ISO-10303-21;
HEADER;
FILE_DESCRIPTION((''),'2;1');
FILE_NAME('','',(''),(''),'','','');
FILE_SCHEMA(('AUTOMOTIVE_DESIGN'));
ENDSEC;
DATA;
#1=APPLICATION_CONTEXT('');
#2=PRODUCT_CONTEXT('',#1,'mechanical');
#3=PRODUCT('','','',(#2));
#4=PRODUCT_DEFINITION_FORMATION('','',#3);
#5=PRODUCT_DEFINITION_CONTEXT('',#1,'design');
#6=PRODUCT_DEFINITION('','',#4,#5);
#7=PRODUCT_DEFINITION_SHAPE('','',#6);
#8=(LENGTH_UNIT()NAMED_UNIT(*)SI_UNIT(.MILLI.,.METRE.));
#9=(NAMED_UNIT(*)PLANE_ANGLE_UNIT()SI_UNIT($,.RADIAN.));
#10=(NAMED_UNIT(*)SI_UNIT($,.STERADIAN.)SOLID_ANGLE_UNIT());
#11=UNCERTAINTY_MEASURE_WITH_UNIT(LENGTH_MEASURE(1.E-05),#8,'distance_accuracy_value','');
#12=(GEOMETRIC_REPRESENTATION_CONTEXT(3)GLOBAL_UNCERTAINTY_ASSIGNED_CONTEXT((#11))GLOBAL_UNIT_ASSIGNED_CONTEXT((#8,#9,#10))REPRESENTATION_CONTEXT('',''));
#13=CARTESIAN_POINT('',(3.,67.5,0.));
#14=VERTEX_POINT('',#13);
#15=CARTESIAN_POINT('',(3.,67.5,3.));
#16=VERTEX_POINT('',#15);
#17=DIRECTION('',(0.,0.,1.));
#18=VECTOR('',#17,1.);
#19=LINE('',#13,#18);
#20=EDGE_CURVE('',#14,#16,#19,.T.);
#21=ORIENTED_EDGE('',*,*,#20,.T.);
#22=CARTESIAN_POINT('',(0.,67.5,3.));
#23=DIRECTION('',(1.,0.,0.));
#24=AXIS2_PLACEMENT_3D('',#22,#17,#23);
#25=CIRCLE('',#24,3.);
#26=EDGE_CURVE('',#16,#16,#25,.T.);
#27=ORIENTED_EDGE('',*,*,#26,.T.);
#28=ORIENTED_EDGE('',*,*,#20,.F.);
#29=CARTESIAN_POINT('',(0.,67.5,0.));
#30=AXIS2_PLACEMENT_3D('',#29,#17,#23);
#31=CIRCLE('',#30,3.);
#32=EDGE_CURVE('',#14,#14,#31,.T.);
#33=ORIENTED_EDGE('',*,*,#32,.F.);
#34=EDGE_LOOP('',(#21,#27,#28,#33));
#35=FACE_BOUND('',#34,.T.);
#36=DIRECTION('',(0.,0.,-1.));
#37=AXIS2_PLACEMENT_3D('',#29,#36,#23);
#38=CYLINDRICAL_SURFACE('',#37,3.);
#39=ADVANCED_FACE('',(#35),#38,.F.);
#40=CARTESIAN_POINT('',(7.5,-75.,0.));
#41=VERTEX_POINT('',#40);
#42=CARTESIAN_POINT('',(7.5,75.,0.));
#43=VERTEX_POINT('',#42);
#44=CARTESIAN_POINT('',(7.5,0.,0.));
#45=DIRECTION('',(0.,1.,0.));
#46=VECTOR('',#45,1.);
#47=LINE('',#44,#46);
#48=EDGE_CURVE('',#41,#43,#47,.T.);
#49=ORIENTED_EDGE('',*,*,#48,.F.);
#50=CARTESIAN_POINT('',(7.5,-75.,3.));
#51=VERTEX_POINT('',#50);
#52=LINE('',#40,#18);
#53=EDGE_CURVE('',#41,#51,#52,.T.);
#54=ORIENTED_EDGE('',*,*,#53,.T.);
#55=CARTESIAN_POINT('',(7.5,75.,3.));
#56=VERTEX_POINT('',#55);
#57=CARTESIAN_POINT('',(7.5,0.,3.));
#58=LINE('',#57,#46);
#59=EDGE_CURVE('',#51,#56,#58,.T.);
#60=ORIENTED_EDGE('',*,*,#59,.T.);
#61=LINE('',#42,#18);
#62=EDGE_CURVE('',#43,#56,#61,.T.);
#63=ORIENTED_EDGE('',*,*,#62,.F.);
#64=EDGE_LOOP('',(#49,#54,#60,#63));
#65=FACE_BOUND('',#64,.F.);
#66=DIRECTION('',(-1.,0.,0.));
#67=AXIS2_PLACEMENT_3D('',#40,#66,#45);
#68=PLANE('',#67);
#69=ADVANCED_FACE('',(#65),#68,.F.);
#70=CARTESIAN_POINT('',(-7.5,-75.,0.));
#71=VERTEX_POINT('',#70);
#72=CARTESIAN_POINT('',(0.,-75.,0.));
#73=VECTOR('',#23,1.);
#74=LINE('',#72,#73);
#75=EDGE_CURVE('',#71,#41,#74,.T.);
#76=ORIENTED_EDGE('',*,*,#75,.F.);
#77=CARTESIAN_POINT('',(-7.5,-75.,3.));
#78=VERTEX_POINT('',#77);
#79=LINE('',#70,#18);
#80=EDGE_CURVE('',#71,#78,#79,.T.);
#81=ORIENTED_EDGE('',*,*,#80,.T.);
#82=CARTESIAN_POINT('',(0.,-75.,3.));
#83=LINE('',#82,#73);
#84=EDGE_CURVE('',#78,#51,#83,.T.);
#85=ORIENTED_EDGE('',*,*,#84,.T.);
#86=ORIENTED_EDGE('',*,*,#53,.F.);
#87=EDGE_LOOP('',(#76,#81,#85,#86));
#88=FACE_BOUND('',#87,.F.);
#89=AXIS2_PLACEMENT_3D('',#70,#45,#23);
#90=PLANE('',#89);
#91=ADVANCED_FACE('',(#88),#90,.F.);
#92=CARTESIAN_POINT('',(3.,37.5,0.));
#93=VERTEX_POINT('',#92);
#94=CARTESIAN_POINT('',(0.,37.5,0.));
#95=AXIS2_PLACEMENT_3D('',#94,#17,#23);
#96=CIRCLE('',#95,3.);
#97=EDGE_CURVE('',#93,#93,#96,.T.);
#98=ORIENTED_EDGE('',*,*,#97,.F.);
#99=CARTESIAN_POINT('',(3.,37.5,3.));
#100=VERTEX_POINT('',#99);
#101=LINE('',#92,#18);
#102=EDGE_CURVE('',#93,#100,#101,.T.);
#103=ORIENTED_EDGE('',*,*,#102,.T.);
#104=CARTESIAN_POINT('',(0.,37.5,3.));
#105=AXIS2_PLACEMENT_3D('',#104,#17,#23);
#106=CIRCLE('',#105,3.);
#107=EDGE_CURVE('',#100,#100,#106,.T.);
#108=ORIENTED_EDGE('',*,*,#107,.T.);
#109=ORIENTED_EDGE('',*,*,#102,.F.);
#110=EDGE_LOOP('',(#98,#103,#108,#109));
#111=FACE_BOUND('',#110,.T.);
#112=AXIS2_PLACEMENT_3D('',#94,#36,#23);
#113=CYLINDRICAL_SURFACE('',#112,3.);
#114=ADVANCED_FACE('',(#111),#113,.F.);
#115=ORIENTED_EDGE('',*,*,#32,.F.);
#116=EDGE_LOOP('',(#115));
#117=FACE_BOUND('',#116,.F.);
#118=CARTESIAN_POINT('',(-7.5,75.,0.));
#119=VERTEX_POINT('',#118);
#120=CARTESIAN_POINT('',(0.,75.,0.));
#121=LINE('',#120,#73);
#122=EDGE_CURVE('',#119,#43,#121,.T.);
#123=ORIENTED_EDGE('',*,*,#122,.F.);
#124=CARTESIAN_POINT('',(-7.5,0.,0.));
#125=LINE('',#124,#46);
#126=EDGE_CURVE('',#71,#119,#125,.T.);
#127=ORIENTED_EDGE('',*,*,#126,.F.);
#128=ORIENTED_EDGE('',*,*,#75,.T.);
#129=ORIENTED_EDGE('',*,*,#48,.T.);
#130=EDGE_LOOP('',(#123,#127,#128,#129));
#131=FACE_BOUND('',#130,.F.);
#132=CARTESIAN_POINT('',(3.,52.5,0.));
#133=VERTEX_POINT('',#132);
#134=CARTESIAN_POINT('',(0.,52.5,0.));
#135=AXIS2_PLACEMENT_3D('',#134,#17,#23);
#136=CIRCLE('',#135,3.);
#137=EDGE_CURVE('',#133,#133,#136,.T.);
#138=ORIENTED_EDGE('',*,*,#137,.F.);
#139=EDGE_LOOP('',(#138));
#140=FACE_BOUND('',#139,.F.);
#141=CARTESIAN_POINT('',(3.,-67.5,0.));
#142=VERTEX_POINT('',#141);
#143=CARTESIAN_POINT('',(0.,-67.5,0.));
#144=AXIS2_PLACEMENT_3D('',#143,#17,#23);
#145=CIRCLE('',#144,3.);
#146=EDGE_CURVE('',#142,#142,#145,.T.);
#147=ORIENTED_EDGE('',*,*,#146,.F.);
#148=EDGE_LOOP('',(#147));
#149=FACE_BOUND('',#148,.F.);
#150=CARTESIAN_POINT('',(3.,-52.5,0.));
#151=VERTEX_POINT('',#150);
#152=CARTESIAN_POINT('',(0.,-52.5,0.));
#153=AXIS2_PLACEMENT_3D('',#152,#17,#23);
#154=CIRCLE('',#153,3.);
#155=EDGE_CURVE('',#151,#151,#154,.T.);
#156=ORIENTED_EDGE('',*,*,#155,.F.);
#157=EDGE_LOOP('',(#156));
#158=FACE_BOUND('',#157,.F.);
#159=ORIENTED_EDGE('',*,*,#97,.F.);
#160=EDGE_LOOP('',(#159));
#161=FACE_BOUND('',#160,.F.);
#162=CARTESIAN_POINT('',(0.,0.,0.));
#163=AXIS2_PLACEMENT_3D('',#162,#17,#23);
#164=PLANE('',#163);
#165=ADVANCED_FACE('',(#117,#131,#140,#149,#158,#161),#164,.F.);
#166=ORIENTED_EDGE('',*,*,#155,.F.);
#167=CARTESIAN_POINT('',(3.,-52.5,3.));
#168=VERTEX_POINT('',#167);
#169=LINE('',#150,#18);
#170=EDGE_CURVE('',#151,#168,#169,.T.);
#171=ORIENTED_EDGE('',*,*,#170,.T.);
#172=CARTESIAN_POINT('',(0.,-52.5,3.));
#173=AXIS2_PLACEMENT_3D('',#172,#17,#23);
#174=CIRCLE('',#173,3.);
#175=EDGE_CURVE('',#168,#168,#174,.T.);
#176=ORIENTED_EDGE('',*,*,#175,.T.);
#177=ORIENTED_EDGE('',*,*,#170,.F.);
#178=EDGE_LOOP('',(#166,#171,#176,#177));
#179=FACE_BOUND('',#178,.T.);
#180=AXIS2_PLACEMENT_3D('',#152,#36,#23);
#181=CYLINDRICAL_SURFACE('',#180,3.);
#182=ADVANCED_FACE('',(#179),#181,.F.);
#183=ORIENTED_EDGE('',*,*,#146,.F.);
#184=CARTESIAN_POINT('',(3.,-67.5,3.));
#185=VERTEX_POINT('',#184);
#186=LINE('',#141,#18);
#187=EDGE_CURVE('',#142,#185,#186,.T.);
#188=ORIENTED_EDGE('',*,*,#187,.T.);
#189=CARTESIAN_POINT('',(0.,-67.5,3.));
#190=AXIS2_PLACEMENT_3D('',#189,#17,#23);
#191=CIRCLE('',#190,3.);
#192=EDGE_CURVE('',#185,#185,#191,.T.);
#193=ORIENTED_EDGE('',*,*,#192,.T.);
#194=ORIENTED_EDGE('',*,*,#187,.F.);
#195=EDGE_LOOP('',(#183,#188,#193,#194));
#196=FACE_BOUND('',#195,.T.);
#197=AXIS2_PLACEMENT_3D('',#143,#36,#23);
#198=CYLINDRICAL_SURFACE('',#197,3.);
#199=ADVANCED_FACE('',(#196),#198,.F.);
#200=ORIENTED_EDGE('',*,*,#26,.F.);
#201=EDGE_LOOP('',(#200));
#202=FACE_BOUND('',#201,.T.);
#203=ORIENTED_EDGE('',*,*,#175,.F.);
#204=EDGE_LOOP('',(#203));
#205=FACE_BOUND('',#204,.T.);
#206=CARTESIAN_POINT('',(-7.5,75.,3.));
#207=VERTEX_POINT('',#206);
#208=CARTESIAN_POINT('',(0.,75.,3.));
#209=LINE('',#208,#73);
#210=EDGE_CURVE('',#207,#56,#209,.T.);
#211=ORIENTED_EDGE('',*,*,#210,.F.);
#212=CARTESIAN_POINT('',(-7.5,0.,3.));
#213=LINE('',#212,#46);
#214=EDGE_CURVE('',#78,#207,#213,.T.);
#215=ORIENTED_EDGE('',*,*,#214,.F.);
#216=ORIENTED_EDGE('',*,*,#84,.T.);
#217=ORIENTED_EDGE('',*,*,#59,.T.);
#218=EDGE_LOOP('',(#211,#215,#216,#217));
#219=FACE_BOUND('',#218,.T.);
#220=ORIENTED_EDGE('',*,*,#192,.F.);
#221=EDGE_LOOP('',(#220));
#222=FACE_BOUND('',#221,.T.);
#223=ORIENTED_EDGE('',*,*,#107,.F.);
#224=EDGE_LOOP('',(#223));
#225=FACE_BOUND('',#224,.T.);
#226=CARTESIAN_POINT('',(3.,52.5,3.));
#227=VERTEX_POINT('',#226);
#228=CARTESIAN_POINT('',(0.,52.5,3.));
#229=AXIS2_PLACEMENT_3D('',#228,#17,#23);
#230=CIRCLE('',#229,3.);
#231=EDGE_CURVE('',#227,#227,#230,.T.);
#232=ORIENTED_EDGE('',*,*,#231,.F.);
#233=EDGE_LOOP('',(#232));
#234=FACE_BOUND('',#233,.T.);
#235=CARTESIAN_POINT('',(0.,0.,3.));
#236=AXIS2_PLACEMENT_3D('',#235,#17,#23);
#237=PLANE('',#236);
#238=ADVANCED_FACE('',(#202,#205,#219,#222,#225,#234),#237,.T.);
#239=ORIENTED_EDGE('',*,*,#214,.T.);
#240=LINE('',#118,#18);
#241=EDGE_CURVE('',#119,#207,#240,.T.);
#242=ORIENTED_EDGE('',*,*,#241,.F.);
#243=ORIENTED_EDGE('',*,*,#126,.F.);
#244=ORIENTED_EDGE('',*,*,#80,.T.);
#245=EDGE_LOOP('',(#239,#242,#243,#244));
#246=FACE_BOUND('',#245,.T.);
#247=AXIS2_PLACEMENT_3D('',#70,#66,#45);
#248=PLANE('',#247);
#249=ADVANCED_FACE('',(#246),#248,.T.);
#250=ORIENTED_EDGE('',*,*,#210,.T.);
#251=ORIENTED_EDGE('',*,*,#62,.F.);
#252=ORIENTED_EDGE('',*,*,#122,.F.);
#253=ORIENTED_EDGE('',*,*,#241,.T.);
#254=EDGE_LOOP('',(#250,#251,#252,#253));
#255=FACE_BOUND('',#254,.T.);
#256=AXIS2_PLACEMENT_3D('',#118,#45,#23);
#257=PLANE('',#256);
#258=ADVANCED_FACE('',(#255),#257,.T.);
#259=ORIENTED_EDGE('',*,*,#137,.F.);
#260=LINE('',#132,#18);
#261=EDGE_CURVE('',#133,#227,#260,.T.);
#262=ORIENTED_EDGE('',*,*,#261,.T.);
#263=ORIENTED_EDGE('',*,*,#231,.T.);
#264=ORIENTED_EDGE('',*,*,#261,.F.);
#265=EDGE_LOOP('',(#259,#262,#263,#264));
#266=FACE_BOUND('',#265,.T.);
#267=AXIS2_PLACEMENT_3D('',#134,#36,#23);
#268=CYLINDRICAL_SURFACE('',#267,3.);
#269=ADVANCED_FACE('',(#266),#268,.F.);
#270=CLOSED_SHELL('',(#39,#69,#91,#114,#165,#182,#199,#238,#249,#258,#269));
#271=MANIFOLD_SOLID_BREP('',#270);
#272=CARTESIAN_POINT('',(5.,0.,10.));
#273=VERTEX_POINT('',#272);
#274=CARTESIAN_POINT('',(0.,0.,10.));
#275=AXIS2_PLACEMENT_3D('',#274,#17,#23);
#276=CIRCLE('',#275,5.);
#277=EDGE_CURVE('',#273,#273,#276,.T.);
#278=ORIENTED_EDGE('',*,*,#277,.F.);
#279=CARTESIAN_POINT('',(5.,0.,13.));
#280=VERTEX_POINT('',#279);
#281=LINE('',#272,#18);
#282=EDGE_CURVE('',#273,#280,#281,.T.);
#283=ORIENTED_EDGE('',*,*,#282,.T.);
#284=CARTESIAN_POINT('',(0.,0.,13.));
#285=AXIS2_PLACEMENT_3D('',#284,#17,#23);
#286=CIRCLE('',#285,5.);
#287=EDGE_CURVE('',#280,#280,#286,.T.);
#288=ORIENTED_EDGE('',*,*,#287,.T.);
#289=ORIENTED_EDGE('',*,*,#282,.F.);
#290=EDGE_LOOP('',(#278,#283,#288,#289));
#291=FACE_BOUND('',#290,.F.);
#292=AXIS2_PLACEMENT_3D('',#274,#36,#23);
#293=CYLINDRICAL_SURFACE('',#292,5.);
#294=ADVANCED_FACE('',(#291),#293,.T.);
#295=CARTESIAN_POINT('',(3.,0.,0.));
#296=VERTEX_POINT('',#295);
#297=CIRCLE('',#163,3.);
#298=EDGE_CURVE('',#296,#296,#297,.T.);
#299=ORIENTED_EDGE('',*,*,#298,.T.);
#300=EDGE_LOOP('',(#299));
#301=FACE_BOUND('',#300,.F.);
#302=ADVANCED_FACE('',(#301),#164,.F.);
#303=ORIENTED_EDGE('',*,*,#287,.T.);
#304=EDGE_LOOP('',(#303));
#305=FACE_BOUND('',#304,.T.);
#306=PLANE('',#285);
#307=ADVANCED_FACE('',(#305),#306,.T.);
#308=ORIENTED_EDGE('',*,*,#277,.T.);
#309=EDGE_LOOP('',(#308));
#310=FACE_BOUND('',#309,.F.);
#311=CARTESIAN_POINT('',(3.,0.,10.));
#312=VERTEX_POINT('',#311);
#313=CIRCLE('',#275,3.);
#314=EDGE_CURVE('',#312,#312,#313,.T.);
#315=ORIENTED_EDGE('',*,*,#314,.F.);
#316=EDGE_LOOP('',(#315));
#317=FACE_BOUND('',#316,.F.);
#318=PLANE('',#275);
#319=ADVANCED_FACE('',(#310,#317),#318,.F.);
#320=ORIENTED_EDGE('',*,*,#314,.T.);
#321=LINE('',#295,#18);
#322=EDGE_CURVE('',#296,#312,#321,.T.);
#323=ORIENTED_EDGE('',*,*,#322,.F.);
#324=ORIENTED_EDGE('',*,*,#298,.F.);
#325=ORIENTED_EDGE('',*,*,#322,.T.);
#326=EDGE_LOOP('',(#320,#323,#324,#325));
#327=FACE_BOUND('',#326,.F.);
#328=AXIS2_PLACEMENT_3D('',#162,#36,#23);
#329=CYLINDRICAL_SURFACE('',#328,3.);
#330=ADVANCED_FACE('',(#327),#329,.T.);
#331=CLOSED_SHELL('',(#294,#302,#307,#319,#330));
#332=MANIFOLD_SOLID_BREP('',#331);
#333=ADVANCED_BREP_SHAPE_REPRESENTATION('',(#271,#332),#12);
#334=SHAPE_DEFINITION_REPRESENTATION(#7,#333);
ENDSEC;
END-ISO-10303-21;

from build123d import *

# Parameters (mm, degrees)
F0_W     = 15
F0_H     = 150
F0_R     = 3
F1_DEPTH = 3
F2_R     = 3
F3_DEPTH = 10
F4_R     = 5
F5_DEPTH = 3


with BuildPart() as f1:
    # F0 (on Top) → F1 (new body)
    with BuildSketch(Plane.XY):
        Rectangle(F0_W, F0_H)
        with Locations((0, -67.5)):
            Circle(F0_R, mode=Mode.SUBTRACT)
        with Locations((0, -52.5)):
            Circle(F0_R, mode=Mode.SUBTRACT)
        with Locations((0, 37.5)):
            Circle(F0_R, mode=Mode.SUBTRACT)
        with Locations((0, 52.5)):
            Circle(F0_R, mode=Mode.SUBTRACT)
        with Locations((0, 67.5)):
            Circle(F0_R, mode=Mode.SUBTRACT)
    extrude(amount=F1_DEPTH)


with BuildPart() as f3:
    # F2 (on Top) → F3 (new body)
    with BuildSketch(Plane.XY):
        Circle(F2_R)
    extrude(amount=F3_DEPTH)

    # F4 (on face) → F5 (join)
    with BuildSketch(Plane.XY.offset(10)):
        Circle(F4_R)
    extrude(amount=F5_DEPTH)


solid = Compound([f1.part, f3.part])
